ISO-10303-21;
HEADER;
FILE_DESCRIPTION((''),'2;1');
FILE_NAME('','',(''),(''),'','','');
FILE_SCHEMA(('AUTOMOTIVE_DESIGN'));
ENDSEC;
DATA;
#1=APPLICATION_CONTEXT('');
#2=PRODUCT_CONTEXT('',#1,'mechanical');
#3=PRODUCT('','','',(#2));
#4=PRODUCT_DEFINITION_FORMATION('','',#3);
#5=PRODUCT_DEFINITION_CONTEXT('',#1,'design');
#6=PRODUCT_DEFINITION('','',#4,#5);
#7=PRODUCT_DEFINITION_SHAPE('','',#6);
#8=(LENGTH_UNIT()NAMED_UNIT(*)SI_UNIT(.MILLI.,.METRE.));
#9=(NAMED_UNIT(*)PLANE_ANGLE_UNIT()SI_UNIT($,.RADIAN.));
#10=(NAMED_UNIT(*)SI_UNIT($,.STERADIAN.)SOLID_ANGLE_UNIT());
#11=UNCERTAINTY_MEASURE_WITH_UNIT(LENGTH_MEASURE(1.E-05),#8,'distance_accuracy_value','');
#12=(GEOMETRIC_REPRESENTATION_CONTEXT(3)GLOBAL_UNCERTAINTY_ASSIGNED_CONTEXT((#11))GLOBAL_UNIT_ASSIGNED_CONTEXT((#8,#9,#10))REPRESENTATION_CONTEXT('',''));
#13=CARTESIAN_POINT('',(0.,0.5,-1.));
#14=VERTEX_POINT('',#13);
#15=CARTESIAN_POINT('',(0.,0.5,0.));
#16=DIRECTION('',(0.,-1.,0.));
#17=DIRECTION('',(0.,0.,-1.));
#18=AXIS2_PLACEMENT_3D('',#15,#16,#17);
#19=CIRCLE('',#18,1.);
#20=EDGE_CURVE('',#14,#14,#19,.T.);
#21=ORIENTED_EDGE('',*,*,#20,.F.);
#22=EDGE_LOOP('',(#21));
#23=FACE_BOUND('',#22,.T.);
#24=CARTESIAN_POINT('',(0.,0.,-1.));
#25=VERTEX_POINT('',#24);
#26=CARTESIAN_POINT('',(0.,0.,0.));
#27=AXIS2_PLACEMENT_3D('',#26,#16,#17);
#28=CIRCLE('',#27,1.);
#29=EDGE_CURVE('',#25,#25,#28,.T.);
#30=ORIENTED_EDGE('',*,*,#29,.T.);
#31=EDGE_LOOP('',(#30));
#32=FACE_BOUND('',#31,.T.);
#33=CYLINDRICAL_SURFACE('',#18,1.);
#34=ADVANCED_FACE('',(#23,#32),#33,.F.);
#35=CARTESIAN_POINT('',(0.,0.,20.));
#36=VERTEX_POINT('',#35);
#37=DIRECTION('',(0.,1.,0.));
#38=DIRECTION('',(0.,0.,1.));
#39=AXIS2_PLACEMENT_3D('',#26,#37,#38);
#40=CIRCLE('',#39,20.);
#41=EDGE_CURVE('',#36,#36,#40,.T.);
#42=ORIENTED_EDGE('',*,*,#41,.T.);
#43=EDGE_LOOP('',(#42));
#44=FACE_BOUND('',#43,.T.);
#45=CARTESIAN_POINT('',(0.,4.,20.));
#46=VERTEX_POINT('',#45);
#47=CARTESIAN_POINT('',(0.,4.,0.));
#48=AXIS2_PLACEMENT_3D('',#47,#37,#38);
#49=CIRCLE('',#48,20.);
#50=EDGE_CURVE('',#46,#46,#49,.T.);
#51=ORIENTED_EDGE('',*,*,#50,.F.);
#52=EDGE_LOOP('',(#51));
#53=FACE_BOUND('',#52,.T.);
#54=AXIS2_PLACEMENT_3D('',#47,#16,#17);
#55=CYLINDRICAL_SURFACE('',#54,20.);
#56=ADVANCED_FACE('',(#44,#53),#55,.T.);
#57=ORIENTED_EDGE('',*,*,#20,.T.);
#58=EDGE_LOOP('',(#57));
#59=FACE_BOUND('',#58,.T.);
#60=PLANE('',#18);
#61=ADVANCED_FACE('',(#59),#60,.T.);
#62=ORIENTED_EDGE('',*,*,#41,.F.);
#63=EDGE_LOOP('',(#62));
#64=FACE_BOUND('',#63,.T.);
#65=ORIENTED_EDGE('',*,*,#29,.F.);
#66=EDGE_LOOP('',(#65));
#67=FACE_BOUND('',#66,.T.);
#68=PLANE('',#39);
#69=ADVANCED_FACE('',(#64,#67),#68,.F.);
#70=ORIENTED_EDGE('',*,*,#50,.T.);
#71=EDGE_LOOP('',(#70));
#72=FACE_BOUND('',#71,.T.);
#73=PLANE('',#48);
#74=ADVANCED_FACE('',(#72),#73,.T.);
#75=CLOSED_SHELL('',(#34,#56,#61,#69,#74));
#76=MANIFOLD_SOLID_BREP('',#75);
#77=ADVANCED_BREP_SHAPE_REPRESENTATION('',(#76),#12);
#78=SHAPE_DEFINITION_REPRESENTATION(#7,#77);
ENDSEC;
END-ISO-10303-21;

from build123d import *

# Parameters (mm, degrees)
SKETCH1_R           = 20
BOSS_EXTRUDE1_DEPTH = 4
SKETCH2_R           = 1
CUT_EXTRUDE1_DEPTH  = 0.5


with BuildPart() as part:
    # Sketch1 → Boss-Extrude1 (new body)
    with BuildSketch(Plane(origin=(0, 0, 0), x_dir=(1, 0, 0), z_dir=(0, 1, 0))):
        with Locations(Location((0, 0, 0), (0, 0, 270))):
            Circle(SKETCH1_R)
    extrude(amount=BOSS_EXTRUDE1_DEPTH)

    # Sketch2 → Cut-Extrude1 (cut)
    with BuildSketch(Plane(origin=(0, 0, 0), x_dir=(-1, 0, 0), z_dir=(0, -1, 0))):
        with Locations(Location((0, 0, 0), (0, 0, 90))):
            Circle(SKETCH2_R)
    extrude(amount=-CUT_EXTRUDE1_DEPTH, mode=Mode.SUBTRACT)


solid = part.part
